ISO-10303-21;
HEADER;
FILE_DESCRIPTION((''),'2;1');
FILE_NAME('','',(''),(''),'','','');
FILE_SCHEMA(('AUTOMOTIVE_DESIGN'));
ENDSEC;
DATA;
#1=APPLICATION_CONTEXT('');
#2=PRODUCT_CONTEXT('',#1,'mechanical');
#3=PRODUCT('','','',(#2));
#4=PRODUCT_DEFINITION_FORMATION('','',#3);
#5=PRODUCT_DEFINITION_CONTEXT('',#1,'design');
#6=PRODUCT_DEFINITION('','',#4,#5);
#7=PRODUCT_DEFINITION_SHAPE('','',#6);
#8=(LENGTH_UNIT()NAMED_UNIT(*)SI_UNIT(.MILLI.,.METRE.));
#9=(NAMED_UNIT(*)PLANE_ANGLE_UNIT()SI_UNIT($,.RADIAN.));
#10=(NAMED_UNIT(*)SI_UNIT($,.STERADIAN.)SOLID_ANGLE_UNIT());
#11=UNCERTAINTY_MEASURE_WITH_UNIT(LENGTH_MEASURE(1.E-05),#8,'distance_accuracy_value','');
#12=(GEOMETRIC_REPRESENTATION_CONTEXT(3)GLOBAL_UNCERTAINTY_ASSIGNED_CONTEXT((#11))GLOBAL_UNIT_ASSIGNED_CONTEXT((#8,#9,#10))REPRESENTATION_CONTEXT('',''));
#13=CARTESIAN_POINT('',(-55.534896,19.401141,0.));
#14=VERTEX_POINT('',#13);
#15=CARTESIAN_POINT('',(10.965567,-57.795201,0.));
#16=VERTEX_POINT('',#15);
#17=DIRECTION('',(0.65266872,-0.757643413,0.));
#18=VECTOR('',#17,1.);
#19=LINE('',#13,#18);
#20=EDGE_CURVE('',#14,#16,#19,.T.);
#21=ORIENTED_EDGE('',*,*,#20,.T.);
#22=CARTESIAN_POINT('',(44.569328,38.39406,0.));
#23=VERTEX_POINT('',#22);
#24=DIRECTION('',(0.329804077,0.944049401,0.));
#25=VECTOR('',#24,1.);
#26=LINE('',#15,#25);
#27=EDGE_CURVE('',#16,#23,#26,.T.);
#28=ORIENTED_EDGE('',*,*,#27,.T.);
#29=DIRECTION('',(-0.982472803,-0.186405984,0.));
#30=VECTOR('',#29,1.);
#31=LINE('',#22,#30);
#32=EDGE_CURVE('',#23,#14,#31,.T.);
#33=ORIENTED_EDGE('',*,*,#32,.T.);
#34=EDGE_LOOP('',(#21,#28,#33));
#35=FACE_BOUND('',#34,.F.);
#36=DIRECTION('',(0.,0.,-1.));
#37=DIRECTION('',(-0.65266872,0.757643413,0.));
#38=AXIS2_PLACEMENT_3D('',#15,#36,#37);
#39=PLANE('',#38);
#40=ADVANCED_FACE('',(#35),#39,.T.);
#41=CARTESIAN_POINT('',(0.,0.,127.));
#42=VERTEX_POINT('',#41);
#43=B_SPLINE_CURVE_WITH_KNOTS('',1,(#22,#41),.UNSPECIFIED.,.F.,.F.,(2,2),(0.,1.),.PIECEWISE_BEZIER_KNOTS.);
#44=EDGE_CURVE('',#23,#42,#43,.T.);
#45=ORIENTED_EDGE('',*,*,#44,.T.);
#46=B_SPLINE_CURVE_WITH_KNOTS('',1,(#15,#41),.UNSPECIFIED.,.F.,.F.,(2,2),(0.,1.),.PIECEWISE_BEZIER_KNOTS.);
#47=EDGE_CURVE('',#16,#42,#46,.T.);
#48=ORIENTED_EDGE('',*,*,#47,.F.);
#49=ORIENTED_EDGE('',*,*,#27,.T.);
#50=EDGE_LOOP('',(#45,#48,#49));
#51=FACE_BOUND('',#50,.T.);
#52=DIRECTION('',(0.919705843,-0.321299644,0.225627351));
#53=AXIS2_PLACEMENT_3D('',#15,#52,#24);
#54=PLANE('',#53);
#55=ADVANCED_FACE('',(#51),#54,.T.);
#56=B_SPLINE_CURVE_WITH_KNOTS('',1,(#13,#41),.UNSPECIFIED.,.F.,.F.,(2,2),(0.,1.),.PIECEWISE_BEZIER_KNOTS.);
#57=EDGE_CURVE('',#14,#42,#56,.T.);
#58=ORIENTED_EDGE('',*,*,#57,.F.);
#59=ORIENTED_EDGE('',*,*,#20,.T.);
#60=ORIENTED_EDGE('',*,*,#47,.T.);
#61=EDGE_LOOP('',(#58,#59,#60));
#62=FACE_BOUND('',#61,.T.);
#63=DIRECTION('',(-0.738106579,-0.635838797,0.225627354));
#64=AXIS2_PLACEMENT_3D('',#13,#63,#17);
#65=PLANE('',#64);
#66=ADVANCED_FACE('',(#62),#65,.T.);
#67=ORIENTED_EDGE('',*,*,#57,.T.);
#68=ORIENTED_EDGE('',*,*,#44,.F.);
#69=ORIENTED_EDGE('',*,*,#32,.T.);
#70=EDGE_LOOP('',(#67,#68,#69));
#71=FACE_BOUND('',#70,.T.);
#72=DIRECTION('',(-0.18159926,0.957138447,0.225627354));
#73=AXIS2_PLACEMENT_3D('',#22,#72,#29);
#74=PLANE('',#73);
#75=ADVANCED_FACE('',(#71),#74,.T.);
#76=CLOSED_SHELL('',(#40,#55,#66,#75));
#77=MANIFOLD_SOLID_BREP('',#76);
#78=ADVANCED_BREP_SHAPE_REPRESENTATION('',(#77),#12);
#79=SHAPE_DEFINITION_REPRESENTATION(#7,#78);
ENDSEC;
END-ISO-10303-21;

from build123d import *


with BuildPart() as f3:
    # F0 (on Top) → F3 section 0
    with BuildSketch(Plane.XY, mode=Mode.PRIVATE) as f3_s0:
        Polygon((10.965567, -57.795201), (44.569328, 38.39406), (-55.534896, 19.401141), align=None)
    loft([f3_s0.sketch, Vertex(0, 0, 127)])


solid = f3.part
